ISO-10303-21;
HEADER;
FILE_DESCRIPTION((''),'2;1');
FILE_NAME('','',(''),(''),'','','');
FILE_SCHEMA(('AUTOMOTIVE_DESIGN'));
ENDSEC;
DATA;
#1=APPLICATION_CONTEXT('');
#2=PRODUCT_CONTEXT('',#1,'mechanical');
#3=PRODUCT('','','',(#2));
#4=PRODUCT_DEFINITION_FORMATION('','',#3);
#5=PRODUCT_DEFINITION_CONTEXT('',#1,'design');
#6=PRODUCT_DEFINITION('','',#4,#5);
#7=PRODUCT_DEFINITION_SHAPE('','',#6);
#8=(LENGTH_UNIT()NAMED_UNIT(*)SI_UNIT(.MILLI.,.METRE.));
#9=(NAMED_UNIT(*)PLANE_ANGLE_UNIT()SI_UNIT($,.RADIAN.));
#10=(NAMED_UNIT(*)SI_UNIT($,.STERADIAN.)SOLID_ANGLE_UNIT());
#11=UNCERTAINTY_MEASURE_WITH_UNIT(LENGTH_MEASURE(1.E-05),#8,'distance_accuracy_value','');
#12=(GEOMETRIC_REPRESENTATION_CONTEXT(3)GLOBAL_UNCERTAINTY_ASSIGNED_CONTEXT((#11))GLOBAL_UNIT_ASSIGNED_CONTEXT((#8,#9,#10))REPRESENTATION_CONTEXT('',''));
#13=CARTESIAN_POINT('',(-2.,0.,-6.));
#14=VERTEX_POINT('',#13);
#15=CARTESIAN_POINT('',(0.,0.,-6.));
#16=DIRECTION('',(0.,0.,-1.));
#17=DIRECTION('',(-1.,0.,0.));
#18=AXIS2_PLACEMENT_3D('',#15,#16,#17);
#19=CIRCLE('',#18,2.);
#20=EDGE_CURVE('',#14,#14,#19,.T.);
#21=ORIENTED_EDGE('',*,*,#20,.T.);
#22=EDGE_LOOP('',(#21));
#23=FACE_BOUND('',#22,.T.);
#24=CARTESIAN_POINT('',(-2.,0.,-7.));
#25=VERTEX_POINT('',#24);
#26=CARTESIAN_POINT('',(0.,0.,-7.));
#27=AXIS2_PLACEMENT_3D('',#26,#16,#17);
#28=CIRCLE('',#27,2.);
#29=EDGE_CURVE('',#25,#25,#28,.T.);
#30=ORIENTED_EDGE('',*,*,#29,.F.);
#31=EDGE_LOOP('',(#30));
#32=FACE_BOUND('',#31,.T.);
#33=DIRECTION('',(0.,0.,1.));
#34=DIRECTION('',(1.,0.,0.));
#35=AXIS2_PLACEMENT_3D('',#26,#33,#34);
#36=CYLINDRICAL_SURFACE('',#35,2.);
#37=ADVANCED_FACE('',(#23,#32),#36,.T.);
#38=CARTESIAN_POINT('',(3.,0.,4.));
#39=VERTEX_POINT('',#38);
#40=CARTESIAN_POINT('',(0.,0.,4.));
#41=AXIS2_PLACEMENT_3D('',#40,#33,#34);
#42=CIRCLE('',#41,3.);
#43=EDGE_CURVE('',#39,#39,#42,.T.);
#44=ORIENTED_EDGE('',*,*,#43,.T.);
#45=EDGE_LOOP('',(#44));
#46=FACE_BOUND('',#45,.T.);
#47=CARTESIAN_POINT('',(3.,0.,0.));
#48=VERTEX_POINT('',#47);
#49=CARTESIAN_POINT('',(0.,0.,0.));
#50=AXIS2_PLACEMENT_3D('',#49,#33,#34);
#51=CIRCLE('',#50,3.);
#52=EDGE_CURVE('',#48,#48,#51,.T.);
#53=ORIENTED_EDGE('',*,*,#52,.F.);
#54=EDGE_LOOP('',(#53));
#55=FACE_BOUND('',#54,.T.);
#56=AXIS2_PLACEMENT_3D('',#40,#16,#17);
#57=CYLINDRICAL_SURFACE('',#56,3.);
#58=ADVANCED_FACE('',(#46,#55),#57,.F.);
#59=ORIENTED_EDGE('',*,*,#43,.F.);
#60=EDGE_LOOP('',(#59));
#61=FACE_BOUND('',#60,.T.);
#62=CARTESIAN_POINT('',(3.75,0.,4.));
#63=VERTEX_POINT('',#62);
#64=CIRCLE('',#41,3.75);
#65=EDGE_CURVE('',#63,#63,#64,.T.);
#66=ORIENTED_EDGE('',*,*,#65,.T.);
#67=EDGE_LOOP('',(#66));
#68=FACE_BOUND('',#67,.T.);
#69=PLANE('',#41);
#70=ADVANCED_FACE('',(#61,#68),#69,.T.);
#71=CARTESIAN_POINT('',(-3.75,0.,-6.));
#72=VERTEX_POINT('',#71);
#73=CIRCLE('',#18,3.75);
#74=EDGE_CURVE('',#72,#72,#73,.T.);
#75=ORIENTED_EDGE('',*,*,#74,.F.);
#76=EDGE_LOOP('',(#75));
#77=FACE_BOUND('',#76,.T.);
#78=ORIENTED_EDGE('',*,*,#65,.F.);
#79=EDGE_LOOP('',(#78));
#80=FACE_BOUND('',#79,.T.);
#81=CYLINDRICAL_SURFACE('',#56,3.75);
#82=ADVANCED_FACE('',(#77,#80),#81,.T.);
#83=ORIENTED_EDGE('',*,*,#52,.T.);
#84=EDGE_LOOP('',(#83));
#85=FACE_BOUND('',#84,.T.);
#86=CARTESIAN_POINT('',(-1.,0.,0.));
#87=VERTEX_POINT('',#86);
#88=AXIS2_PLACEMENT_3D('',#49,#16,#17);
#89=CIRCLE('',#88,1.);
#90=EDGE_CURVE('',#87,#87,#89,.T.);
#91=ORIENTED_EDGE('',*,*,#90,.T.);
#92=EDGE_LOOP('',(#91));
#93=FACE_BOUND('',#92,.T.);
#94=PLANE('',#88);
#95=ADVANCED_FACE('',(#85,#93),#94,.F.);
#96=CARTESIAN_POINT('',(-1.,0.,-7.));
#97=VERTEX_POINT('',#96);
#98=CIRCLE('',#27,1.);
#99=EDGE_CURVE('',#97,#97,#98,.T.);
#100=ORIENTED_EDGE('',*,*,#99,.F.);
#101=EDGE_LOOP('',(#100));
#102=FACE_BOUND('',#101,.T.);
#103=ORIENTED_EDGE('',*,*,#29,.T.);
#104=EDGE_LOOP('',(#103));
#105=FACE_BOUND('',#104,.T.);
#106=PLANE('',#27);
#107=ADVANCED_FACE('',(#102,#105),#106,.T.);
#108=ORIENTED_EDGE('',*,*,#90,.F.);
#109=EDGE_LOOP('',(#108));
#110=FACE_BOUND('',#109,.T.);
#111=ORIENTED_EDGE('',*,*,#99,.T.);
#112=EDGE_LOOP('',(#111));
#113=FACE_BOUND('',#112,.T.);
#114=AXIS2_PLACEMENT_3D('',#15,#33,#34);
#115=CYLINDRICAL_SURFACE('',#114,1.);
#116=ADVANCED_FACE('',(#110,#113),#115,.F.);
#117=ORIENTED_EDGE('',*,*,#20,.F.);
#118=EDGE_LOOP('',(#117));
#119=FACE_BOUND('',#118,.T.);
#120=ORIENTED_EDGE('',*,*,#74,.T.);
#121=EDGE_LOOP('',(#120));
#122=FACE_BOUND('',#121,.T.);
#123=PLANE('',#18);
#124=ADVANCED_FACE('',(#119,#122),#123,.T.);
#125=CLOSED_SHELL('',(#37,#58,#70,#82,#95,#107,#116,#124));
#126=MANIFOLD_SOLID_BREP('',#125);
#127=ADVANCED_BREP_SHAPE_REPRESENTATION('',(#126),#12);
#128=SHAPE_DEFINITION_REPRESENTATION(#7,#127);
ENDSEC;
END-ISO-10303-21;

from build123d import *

# Parameters (mm, degrees)
SKETCH1_R           = 3.75
SKETCH1_R_2         = 3
BOSS_EXTRUDE1_DEPTH = 4
BOSS_EXTRUDE2_START = 6
SKETCH2_R           = 3.75
SKETCH2_R_2         = 1
BOSS_EXTRUDE2_DEPTH = 6
BOSS_EXTRUDE3_START = 1
SKETCH3_R           = 2
SKETCH3_R_2         = 1
BOSS_EXTRUDE3_DEPTH = 1


with BuildPart() as part:
    # Sketch1 → Boss-Extrude1 (new body)
    with BuildSketch(Plane.XY):
        Circle(SKETCH1_R)
        Circle(SKETCH1_R_2, mode=Mode.SUBTRACT)
    extrude(amount=BOSS_EXTRUDE1_DEPTH)

    # Sketch2 → Boss-Extrude2 (add)
    with BuildSketch(Plane(origin=(0, 0, 0), x_dir=(-1, 0, 0), z_dir=(0, 0, -1)).offset(BOSS_EXTRUDE2_START)):
        Circle(SKETCH2_R)
        Circle(SKETCH2_R_2, mode=Mode.SUBTRACT)
    extrude(amount=-BOSS_EXTRUDE2_DEPTH)

    # Sketch3 → Boss-Extrude3 (add)
    with BuildSketch(Plane(origin=(0, 0, -6), x_dir=(-1, 0, 0), z_dir=(0, 0, -1)).offset(BOSS_EXTRUDE3_START)):
        Circle(SKETCH3_R)
        Circle(SKETCH3_R_2, mode=Mode.SUBTRACT)
    extrude(amount=-BOSS_EXTRUDE3_DEPTH)


solid = part.part
